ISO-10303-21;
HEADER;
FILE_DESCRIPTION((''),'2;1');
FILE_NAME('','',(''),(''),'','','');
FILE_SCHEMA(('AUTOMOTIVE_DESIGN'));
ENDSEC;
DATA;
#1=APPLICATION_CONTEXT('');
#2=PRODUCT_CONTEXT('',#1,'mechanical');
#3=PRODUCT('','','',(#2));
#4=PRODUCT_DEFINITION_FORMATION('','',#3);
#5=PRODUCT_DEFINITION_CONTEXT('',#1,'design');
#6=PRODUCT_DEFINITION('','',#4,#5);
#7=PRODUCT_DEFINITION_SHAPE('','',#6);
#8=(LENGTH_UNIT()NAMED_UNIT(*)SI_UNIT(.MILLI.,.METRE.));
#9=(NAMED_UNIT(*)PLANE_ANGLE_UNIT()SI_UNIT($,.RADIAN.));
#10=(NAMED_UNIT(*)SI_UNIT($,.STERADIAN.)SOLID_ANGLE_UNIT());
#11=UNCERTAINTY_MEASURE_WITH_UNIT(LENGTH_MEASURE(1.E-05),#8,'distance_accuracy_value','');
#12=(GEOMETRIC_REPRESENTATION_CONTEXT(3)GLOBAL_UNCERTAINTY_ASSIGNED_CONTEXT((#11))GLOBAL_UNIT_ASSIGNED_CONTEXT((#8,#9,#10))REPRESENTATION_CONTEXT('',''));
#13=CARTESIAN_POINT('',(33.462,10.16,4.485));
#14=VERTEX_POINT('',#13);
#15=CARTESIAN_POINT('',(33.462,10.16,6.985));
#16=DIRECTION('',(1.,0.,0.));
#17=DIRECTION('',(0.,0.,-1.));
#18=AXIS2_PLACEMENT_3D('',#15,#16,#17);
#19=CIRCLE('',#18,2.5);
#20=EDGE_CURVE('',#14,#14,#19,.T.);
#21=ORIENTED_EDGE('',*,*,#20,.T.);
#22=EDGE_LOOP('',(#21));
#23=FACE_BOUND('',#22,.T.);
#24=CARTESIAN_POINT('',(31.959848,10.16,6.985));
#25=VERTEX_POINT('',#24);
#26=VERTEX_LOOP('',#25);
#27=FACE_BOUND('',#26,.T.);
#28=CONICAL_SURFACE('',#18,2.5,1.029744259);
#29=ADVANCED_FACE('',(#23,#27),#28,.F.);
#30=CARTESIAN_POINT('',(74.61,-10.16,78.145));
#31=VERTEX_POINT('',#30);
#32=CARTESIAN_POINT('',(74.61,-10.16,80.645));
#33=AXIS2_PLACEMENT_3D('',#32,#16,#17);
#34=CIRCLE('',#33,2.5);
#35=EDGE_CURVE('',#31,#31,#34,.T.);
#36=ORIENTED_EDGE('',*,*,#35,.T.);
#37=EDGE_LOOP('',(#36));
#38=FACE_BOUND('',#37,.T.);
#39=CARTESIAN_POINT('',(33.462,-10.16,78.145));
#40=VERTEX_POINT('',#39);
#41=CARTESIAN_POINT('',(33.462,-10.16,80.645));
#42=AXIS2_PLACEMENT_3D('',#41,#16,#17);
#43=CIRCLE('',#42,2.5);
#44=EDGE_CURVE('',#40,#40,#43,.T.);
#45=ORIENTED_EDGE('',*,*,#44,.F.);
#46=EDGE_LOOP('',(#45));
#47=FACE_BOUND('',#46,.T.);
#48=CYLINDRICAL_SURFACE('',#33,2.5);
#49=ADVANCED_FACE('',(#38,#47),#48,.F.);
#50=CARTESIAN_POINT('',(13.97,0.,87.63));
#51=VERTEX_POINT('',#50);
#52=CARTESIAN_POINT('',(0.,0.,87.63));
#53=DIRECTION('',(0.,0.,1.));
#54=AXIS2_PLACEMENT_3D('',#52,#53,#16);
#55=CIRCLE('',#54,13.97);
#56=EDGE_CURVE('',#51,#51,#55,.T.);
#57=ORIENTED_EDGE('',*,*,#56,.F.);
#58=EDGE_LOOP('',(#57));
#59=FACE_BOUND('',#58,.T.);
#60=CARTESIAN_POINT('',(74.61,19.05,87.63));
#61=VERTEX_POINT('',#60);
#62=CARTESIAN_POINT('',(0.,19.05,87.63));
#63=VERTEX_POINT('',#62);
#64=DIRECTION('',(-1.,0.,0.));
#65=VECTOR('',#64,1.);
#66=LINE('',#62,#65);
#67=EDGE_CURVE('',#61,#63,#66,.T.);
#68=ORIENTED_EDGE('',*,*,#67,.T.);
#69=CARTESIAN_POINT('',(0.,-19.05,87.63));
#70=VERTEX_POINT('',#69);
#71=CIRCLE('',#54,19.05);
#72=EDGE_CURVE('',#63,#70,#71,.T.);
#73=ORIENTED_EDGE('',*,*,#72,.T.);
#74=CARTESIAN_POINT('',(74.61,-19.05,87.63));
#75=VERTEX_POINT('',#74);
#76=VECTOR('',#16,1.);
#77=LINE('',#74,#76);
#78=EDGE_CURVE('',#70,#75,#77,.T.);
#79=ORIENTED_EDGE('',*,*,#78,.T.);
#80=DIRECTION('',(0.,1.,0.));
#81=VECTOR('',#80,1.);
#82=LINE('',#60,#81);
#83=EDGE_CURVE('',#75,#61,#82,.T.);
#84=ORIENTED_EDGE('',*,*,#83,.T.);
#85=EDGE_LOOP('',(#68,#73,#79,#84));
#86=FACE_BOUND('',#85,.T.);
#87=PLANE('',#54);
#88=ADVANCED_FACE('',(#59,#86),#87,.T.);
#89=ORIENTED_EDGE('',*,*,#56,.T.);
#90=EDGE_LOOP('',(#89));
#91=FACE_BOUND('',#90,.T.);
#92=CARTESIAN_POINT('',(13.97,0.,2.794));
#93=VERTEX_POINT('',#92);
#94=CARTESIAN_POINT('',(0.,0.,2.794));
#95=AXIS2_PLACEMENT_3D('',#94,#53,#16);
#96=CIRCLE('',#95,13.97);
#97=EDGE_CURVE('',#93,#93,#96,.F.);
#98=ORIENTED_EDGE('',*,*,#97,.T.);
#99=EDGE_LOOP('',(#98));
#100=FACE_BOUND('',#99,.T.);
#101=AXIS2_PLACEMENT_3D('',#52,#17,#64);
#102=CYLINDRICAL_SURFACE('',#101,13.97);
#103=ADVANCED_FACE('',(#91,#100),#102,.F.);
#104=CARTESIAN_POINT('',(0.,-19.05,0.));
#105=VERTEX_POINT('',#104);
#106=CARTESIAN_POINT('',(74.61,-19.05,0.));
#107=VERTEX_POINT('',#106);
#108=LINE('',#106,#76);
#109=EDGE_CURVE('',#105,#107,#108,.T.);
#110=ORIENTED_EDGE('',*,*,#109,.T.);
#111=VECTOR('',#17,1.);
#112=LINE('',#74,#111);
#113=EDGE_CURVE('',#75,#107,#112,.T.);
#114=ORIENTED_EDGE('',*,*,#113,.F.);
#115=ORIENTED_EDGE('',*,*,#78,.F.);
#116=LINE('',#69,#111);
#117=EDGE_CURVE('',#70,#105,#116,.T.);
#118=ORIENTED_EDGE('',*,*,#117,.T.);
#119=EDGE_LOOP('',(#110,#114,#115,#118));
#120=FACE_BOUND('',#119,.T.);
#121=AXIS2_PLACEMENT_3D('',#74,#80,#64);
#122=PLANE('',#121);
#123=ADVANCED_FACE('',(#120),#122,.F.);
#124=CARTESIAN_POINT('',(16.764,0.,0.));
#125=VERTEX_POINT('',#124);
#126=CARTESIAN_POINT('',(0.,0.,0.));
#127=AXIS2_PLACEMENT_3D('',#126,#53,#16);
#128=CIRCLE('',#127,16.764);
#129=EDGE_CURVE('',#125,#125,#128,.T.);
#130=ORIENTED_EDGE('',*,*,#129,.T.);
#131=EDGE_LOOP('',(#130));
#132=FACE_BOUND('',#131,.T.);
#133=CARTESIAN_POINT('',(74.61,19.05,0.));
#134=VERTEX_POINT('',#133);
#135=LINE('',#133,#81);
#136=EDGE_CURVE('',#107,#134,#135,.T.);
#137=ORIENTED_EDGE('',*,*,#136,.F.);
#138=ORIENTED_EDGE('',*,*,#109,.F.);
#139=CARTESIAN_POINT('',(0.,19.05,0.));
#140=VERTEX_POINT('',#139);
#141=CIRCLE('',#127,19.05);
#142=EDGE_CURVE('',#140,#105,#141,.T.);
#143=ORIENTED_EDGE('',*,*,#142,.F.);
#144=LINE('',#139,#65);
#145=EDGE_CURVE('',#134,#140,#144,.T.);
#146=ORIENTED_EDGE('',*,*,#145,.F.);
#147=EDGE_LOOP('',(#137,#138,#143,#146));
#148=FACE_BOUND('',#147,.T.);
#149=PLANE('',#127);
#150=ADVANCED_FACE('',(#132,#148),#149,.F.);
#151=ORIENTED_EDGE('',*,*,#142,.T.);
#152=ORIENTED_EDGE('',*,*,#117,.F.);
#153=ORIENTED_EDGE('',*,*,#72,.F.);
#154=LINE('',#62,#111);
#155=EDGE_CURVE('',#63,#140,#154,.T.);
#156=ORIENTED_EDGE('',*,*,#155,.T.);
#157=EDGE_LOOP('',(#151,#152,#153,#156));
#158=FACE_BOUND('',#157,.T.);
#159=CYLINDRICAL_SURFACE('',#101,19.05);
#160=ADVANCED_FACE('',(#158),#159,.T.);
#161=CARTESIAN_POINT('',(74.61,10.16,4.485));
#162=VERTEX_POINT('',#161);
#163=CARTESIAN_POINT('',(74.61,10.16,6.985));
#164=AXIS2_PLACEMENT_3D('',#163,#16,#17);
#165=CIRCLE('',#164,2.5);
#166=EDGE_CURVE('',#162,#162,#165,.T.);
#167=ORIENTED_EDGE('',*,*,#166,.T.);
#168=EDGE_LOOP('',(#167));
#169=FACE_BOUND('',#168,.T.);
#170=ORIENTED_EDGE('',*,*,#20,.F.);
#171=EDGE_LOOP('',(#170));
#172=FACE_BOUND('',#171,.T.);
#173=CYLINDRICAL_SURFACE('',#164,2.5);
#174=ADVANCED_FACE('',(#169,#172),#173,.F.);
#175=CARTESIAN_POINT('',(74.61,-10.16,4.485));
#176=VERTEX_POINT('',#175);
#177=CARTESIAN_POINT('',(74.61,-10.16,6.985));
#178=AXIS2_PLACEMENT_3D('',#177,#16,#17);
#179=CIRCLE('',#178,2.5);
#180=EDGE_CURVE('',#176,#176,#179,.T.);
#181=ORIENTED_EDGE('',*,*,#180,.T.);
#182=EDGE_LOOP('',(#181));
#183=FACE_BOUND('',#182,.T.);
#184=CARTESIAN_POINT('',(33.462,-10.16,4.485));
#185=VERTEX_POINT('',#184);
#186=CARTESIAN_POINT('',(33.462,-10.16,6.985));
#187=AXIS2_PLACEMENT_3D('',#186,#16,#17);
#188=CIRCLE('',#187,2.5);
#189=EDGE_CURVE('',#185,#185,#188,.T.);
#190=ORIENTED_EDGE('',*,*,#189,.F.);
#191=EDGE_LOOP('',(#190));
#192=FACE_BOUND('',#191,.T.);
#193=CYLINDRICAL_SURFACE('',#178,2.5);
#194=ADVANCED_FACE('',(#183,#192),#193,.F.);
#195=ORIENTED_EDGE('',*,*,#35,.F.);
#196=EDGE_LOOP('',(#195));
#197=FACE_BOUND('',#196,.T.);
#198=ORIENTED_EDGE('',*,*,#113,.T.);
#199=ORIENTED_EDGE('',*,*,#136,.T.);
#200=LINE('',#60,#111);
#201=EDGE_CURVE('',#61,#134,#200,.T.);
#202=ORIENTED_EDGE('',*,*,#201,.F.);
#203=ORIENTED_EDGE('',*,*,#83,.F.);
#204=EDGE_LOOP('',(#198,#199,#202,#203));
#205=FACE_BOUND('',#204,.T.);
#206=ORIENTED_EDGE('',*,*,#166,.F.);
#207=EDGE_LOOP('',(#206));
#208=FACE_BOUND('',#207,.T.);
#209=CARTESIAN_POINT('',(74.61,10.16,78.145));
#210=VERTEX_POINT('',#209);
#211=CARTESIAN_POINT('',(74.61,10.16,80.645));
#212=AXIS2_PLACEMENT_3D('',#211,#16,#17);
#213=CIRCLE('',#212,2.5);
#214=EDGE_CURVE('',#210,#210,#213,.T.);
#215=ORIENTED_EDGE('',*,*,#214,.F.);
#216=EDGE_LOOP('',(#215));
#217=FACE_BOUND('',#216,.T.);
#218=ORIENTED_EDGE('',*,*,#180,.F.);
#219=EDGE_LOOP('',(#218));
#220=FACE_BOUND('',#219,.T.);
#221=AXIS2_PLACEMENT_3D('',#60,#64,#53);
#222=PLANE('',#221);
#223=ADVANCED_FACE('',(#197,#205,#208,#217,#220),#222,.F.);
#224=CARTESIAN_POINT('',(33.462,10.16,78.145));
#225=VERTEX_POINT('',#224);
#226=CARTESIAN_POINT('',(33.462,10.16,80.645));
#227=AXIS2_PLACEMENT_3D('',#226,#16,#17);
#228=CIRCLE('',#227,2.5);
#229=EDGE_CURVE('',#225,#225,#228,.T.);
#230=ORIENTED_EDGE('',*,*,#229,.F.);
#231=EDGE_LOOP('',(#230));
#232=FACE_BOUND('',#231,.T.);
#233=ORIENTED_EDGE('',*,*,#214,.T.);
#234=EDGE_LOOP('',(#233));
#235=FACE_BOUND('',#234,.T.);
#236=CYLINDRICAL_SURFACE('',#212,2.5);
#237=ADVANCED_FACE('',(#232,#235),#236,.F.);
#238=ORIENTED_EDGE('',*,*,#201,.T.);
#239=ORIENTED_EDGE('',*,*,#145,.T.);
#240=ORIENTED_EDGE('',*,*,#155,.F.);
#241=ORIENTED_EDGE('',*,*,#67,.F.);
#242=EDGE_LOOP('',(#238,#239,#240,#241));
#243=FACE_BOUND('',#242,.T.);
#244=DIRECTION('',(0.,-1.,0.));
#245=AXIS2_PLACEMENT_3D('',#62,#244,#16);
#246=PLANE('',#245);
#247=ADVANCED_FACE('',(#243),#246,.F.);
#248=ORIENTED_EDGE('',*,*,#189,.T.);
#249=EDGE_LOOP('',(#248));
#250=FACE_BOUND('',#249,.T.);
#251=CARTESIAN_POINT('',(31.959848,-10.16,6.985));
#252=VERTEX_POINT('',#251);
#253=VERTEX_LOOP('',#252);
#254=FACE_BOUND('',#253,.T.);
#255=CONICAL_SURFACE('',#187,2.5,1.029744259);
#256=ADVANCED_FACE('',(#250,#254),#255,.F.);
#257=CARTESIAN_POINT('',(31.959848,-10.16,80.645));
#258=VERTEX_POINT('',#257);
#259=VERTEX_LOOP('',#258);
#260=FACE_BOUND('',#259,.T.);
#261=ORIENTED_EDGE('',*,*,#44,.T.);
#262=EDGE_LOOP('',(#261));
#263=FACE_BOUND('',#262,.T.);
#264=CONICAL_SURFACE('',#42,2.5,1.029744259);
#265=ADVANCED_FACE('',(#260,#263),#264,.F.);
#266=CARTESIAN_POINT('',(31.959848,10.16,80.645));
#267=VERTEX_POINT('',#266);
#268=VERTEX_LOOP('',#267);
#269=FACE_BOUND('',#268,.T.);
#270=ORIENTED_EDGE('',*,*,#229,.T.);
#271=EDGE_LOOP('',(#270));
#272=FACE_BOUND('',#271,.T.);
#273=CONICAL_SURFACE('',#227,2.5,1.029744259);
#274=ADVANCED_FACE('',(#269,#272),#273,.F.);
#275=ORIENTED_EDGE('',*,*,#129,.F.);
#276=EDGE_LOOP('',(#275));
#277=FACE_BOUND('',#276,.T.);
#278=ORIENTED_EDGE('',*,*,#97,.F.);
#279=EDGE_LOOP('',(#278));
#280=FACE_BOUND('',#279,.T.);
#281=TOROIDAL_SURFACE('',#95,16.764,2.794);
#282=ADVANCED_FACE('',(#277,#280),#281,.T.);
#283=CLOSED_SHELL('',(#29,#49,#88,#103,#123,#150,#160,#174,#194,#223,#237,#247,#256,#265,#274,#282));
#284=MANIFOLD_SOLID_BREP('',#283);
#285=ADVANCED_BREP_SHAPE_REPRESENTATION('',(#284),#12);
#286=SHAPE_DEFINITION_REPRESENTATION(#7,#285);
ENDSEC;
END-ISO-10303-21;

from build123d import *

# Parameters (mm, degrees)
SKETCH1_R                 = 13.97
BOSS_EXTRUDE1_DEPTH       = 87.63
FILLET3_R                 = 2.794
M6X1_0_TAPPED_HOLE1_D     = 5
M6X1_0_TAPPED_HOLE1_DEPTH = 41.148
M6X1_0_TAPPED_HOLE1_TIP   = 1.502151548


with BuildPart() as part:
    # Sketch1 → Boss-Extrude1 (new body)
    with BuildSketch(Plane.XY):
        with BuildLine():
            Line((0, 19.05), (74.609999878, 19.05))
            Line((74.609999878, 19.05), (74.609999878, -19.05))
            Line((74.609999878, -19.05), (0, -19.05))
            ThreePointArc((0, -19.05), (-19.05, 0), (0, 19.05))
        make_face()
        Circle(SKETCH1_R, mode=Mode.SUBTRACT)
    extrude(amount=BOSS_EXTRUDE1_DEPTH)

    # Fillet3
    fillet3_edges = [part.edges().sort_by_distance(p)[0] for p in [
        (-13.97, 0, 0),
    ]]
    fillet(fillet3_edges, radius=FILLET3_R)

    # M6x1.0 Tapped Hole1
    with Locations(Plane(origin=(74.609999878, 0, 0), x_dir=(0, 0, -1), z_dir=(1, 0, 0))):
        with Locations((-80.645, -10.16), (-80.645, 10.16), (-6.985, 10.16), (-6.985, -10.16)):
            Hole(M6X1_0_TAPPED_HOLE1_D / 2, depth=M6X1_0_TAPPED_HOLE1_DEPTH)
            with Locations((0, 0, -(M6X1_0_TAPPED_HOLE1_DEPTH + M6X1_0_TAPPED_HOLE1_TIP / 2))):  # 118° drill point
                Cone(0, M6X1_0_TAPPED_HOLE1_D / 2, M6X1_0_TAPPED_HOLE1_TIP, mode=Mode.SUBTRACT)


solid = part.part
